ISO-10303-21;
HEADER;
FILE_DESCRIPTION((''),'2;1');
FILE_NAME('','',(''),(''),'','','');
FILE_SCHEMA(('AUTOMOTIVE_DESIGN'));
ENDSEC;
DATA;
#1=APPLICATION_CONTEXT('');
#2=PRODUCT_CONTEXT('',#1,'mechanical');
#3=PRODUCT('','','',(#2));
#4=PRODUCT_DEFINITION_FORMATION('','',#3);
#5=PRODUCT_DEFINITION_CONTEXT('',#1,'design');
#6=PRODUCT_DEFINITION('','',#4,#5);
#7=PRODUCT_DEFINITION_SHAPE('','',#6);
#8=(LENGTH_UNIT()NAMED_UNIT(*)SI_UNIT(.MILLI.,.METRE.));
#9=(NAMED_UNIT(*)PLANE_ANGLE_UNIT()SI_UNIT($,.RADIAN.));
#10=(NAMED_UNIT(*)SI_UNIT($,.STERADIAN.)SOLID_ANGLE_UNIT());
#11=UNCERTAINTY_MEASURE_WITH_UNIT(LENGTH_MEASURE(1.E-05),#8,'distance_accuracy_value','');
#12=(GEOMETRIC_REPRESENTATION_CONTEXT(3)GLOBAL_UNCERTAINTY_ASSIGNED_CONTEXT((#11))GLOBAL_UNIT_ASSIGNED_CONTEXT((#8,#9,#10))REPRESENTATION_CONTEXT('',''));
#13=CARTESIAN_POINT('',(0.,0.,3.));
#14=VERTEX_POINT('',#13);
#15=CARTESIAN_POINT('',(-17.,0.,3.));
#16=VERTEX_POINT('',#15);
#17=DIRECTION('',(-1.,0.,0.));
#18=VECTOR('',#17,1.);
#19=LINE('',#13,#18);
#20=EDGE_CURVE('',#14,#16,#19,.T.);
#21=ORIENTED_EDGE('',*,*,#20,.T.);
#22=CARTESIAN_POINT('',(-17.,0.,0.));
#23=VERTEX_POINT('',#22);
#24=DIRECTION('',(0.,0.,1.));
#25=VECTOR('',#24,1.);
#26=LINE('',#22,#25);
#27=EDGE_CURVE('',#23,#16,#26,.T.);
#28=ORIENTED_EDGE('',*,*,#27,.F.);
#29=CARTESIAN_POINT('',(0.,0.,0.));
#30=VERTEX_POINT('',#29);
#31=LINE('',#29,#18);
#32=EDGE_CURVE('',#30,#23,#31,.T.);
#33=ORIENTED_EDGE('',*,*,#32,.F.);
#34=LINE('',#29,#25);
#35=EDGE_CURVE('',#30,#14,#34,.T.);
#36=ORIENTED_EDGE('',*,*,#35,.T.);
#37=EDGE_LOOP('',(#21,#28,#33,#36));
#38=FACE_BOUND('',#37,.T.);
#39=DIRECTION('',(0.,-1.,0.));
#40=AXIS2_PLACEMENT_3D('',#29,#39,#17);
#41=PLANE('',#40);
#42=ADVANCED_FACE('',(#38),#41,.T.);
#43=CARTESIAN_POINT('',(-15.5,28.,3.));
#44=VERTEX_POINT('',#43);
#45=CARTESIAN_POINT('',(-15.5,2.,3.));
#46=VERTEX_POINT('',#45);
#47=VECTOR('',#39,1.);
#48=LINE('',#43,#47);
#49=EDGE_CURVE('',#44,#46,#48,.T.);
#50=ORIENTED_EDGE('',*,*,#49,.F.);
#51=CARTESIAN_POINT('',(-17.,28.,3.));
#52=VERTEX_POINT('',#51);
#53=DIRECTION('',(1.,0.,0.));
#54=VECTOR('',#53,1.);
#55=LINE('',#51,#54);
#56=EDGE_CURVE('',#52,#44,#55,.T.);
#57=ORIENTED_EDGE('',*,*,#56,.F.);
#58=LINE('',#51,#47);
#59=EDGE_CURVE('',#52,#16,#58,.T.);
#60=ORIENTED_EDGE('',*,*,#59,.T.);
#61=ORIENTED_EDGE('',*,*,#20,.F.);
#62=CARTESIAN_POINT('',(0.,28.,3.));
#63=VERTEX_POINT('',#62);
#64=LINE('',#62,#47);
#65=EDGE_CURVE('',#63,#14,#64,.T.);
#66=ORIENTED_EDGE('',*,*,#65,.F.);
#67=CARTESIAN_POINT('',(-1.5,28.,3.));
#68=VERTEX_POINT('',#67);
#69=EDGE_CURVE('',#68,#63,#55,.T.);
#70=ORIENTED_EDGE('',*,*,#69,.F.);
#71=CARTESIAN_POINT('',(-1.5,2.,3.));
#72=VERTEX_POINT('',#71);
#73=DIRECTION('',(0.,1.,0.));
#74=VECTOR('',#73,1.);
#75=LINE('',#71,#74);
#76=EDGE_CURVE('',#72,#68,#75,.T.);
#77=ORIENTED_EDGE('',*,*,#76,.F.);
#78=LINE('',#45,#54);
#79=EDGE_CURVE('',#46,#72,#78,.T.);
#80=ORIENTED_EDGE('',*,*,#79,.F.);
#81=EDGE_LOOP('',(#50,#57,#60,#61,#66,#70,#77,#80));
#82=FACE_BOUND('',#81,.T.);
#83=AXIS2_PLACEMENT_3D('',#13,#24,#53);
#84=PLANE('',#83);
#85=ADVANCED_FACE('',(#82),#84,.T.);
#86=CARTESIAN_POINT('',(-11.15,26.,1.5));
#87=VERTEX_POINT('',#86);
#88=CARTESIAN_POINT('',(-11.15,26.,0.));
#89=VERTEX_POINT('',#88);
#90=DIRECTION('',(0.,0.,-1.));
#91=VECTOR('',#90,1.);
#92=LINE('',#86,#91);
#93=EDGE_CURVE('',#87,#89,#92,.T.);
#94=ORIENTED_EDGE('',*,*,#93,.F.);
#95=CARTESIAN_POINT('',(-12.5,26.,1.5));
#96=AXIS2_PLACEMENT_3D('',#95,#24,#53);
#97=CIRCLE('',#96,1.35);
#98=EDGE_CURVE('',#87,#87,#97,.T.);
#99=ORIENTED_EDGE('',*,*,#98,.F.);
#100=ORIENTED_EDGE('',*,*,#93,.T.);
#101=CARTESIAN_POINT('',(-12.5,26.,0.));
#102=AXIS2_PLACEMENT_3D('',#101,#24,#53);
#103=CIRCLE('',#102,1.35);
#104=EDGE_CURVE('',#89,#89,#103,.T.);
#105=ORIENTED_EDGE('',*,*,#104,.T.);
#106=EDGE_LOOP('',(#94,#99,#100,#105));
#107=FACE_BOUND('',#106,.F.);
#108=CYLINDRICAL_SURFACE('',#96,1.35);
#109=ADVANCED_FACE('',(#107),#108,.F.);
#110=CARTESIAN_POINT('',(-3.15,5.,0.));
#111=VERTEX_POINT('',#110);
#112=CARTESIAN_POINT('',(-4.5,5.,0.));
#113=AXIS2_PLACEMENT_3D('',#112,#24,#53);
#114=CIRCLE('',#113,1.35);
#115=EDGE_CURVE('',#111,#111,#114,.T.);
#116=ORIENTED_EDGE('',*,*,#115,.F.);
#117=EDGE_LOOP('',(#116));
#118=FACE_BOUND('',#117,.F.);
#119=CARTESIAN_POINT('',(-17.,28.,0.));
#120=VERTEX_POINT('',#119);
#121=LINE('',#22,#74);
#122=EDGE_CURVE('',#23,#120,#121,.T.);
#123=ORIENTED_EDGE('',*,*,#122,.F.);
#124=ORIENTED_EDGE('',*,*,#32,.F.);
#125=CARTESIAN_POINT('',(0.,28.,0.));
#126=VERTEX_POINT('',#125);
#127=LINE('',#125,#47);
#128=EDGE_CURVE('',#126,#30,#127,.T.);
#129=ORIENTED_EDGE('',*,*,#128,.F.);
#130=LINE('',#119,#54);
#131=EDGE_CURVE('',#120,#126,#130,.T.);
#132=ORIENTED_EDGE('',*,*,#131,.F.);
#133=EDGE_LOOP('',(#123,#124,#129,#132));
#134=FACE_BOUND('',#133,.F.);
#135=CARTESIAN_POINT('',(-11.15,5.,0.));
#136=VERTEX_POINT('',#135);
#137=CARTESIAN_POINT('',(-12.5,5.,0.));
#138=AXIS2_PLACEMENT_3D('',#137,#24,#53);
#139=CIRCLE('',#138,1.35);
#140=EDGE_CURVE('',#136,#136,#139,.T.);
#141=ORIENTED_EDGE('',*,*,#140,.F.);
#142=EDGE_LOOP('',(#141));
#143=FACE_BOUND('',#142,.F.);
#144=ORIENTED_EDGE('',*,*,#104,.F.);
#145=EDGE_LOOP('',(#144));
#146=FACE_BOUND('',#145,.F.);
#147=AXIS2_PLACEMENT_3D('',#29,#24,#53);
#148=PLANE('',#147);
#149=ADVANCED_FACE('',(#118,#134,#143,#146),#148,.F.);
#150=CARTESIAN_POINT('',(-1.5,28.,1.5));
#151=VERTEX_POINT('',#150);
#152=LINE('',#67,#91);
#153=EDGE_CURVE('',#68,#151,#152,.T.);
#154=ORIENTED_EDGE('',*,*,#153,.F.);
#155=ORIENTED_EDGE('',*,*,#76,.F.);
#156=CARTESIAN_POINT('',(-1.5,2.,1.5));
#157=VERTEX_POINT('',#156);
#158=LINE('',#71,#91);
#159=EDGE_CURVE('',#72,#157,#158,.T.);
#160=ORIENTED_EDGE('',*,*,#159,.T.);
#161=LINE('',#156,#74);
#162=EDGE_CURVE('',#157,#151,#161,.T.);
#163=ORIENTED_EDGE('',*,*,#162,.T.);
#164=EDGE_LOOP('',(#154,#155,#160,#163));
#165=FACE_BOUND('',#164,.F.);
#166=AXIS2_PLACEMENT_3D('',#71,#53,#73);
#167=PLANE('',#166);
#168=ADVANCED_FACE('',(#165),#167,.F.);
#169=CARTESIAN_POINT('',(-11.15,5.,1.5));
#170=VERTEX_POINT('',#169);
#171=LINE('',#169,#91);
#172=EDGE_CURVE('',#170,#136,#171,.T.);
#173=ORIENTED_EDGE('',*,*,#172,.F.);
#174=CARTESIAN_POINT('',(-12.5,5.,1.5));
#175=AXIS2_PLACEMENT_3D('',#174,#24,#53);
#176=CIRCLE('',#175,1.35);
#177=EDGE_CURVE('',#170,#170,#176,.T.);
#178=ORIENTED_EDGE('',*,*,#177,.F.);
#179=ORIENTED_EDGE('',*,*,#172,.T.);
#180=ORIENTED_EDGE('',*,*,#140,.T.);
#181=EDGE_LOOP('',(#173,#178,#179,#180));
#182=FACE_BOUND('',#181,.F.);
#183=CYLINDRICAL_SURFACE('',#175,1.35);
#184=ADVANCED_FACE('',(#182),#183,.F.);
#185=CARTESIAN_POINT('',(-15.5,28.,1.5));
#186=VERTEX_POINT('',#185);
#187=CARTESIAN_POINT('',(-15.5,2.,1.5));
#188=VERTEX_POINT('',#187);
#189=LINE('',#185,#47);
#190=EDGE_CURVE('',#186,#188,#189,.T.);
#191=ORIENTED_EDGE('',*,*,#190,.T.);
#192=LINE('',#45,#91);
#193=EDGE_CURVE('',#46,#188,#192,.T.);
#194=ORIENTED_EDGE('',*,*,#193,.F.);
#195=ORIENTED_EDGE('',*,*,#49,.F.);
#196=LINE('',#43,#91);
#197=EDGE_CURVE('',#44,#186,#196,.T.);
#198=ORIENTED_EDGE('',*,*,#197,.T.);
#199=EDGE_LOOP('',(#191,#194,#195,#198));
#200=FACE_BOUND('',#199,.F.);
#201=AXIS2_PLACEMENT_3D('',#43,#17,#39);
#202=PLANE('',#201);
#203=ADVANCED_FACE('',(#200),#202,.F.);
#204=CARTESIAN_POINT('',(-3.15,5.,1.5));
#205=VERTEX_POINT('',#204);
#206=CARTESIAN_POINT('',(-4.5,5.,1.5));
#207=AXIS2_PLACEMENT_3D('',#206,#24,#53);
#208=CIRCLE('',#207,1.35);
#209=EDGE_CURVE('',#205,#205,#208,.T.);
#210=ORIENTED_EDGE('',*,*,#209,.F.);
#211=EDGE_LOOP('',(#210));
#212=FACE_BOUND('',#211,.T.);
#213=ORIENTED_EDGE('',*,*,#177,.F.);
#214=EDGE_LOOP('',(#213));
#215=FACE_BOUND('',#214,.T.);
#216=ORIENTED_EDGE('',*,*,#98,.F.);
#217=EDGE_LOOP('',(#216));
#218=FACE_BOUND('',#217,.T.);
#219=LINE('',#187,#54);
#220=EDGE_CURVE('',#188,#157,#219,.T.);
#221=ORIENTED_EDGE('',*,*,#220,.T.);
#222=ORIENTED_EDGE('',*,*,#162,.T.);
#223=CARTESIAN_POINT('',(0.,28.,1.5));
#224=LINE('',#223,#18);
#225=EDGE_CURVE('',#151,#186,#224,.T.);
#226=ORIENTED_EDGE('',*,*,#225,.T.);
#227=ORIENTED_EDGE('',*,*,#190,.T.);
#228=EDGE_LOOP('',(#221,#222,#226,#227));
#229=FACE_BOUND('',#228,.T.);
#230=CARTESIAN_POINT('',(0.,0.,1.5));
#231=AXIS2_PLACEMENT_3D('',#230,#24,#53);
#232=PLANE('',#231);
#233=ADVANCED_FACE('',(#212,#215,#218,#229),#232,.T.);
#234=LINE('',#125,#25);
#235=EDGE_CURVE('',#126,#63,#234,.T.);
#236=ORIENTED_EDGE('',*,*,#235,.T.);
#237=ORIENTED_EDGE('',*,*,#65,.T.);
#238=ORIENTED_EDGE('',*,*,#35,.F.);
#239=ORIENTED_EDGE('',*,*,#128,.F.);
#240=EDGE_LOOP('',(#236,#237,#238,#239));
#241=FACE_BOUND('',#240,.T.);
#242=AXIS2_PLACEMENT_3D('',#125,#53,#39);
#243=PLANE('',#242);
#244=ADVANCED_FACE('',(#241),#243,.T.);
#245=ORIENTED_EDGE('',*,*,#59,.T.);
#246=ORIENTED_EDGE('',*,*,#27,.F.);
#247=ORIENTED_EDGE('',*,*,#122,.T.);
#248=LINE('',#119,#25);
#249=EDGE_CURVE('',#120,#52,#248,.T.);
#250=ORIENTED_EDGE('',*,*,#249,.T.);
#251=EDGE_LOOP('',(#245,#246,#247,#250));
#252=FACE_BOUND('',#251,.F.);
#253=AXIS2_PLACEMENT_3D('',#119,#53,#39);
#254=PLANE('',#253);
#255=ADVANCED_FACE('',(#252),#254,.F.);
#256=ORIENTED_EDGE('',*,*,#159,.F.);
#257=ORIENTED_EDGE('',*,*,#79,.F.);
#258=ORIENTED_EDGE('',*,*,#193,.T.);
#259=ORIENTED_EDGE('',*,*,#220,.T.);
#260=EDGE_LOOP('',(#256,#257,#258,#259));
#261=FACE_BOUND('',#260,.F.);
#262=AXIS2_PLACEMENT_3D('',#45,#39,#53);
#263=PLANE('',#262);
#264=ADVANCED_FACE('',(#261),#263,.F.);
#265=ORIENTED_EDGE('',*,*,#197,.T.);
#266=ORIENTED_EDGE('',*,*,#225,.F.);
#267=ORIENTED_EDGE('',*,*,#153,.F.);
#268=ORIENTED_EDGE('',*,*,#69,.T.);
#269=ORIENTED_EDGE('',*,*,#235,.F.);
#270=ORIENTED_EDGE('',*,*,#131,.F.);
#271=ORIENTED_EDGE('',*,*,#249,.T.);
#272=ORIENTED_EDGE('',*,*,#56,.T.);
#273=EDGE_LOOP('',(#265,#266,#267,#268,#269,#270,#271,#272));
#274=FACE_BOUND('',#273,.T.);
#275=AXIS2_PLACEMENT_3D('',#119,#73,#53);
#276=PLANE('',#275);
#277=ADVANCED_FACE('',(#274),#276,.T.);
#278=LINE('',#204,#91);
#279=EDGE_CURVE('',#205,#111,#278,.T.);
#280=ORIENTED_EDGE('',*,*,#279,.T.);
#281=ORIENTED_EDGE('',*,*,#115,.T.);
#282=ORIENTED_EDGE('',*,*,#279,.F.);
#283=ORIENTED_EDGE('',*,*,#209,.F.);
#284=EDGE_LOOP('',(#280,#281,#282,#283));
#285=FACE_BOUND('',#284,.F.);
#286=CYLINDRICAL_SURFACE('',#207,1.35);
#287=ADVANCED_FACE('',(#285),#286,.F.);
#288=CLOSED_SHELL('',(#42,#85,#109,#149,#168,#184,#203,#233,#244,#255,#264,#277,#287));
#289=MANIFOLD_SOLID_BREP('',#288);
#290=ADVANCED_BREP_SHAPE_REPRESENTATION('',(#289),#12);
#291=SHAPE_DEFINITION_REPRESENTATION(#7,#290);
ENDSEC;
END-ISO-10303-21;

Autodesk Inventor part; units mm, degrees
ref_plane "YZ Plane" through (0, 0, 0) normal (1, 0, 0) x (0, 1, 0)
ref_plane "XZ Plane" through (0, 0, 0) normal (0, 1, 0) x (-1, 0, 0)
ref_plane "XY Plane" through (0, 0, 0) normal (0, 0, 1) x (1, 0, 0)
sketch "Sketch1" plane through (0, 0, 0) normal (0, 0, 1) x (1, 0, 0)
  line L0 (-17, 28) -> (0, 28)
  line L1 (0, 7) -> (0, 0)
  line L2 (0, 0) -> (-17, 0)
  line L3 (-17, 0) -> (-17, 7)
  line L4 (-17, 28) -> (-17, 17)
  line L5 (0, 28) -> (0, 17)
  line L6 (-17, 17) -> (-17, 7)
  line L7 (0, 17) -> (0, 7)
  point P0 (0, 0)
  point P1 (4, 7)
  point P2 (4, 7)
  dimension "d0" = 17
  dimension "d2" = 28
extrude "Extrusion1" add sketch "Sketch1" along normal blind 3
sketch "Sketch2" plane through (0, 0, 3) normal (0, 0, 1) x (1, 0, 0)
  line L0 (-17, 28) -> (-17, 0) projected
  line L1 (-17, 0) -> (0, 0) projected
  line L2 (0, 0) -> (0, 28) projected
  line L3 (0, 28) -> (-17, 28) projected
  line L4 (-17, 0) -> (0, 0) projected
  line L5 (-15.5, 2) -> (-1.5, 2)
  line L6 (-1.5, 2) -> (-1.5, 28)
  line L7 (-1.5, 28) -> (-15.5, 28)
  line L8 (-15.5, 28) -> (-15.5, 2)
  line L9 (0, 28) -> (-17, 28) projected
  dimension "d7" = 14
  dimension "d19" = 26
extrude "Extrusion2" cut sketch "Sketch2" against normal blind 1.5 contours L3 L6 L5 L8
sketch "Sketch3" plane through (0, 0, 1.5) normal (0, 0, 1) x (1, 0, 0)
  line L0 (-1.5, 28) -> (-1.5, 2) projected
  line L1 (-15.5, 28) -> (-1.5, 28) projected
  line L2 (-15.5, 2) -> (-15.5, 28) projected
  circle A0 centre (-12.5, 26) radius 1.35
  circle A1 centre (-12.5, 5) radius 1.35
  circle A2 centre (-4.5, 5) radius 1.35
  line L3 (-1.5, 2) -> (-15.5, 2) projected
  point P0 (0, 0)
  dimension "d12" = 2.7
  dimension "d13" = 8
  dimension "d14" = 21
  dimension "d21" = 3
extrude "Extrusion3" cut sketch "Sketch3" against normal through all contours A0 | A1 | A2
properties part number "soporte"
